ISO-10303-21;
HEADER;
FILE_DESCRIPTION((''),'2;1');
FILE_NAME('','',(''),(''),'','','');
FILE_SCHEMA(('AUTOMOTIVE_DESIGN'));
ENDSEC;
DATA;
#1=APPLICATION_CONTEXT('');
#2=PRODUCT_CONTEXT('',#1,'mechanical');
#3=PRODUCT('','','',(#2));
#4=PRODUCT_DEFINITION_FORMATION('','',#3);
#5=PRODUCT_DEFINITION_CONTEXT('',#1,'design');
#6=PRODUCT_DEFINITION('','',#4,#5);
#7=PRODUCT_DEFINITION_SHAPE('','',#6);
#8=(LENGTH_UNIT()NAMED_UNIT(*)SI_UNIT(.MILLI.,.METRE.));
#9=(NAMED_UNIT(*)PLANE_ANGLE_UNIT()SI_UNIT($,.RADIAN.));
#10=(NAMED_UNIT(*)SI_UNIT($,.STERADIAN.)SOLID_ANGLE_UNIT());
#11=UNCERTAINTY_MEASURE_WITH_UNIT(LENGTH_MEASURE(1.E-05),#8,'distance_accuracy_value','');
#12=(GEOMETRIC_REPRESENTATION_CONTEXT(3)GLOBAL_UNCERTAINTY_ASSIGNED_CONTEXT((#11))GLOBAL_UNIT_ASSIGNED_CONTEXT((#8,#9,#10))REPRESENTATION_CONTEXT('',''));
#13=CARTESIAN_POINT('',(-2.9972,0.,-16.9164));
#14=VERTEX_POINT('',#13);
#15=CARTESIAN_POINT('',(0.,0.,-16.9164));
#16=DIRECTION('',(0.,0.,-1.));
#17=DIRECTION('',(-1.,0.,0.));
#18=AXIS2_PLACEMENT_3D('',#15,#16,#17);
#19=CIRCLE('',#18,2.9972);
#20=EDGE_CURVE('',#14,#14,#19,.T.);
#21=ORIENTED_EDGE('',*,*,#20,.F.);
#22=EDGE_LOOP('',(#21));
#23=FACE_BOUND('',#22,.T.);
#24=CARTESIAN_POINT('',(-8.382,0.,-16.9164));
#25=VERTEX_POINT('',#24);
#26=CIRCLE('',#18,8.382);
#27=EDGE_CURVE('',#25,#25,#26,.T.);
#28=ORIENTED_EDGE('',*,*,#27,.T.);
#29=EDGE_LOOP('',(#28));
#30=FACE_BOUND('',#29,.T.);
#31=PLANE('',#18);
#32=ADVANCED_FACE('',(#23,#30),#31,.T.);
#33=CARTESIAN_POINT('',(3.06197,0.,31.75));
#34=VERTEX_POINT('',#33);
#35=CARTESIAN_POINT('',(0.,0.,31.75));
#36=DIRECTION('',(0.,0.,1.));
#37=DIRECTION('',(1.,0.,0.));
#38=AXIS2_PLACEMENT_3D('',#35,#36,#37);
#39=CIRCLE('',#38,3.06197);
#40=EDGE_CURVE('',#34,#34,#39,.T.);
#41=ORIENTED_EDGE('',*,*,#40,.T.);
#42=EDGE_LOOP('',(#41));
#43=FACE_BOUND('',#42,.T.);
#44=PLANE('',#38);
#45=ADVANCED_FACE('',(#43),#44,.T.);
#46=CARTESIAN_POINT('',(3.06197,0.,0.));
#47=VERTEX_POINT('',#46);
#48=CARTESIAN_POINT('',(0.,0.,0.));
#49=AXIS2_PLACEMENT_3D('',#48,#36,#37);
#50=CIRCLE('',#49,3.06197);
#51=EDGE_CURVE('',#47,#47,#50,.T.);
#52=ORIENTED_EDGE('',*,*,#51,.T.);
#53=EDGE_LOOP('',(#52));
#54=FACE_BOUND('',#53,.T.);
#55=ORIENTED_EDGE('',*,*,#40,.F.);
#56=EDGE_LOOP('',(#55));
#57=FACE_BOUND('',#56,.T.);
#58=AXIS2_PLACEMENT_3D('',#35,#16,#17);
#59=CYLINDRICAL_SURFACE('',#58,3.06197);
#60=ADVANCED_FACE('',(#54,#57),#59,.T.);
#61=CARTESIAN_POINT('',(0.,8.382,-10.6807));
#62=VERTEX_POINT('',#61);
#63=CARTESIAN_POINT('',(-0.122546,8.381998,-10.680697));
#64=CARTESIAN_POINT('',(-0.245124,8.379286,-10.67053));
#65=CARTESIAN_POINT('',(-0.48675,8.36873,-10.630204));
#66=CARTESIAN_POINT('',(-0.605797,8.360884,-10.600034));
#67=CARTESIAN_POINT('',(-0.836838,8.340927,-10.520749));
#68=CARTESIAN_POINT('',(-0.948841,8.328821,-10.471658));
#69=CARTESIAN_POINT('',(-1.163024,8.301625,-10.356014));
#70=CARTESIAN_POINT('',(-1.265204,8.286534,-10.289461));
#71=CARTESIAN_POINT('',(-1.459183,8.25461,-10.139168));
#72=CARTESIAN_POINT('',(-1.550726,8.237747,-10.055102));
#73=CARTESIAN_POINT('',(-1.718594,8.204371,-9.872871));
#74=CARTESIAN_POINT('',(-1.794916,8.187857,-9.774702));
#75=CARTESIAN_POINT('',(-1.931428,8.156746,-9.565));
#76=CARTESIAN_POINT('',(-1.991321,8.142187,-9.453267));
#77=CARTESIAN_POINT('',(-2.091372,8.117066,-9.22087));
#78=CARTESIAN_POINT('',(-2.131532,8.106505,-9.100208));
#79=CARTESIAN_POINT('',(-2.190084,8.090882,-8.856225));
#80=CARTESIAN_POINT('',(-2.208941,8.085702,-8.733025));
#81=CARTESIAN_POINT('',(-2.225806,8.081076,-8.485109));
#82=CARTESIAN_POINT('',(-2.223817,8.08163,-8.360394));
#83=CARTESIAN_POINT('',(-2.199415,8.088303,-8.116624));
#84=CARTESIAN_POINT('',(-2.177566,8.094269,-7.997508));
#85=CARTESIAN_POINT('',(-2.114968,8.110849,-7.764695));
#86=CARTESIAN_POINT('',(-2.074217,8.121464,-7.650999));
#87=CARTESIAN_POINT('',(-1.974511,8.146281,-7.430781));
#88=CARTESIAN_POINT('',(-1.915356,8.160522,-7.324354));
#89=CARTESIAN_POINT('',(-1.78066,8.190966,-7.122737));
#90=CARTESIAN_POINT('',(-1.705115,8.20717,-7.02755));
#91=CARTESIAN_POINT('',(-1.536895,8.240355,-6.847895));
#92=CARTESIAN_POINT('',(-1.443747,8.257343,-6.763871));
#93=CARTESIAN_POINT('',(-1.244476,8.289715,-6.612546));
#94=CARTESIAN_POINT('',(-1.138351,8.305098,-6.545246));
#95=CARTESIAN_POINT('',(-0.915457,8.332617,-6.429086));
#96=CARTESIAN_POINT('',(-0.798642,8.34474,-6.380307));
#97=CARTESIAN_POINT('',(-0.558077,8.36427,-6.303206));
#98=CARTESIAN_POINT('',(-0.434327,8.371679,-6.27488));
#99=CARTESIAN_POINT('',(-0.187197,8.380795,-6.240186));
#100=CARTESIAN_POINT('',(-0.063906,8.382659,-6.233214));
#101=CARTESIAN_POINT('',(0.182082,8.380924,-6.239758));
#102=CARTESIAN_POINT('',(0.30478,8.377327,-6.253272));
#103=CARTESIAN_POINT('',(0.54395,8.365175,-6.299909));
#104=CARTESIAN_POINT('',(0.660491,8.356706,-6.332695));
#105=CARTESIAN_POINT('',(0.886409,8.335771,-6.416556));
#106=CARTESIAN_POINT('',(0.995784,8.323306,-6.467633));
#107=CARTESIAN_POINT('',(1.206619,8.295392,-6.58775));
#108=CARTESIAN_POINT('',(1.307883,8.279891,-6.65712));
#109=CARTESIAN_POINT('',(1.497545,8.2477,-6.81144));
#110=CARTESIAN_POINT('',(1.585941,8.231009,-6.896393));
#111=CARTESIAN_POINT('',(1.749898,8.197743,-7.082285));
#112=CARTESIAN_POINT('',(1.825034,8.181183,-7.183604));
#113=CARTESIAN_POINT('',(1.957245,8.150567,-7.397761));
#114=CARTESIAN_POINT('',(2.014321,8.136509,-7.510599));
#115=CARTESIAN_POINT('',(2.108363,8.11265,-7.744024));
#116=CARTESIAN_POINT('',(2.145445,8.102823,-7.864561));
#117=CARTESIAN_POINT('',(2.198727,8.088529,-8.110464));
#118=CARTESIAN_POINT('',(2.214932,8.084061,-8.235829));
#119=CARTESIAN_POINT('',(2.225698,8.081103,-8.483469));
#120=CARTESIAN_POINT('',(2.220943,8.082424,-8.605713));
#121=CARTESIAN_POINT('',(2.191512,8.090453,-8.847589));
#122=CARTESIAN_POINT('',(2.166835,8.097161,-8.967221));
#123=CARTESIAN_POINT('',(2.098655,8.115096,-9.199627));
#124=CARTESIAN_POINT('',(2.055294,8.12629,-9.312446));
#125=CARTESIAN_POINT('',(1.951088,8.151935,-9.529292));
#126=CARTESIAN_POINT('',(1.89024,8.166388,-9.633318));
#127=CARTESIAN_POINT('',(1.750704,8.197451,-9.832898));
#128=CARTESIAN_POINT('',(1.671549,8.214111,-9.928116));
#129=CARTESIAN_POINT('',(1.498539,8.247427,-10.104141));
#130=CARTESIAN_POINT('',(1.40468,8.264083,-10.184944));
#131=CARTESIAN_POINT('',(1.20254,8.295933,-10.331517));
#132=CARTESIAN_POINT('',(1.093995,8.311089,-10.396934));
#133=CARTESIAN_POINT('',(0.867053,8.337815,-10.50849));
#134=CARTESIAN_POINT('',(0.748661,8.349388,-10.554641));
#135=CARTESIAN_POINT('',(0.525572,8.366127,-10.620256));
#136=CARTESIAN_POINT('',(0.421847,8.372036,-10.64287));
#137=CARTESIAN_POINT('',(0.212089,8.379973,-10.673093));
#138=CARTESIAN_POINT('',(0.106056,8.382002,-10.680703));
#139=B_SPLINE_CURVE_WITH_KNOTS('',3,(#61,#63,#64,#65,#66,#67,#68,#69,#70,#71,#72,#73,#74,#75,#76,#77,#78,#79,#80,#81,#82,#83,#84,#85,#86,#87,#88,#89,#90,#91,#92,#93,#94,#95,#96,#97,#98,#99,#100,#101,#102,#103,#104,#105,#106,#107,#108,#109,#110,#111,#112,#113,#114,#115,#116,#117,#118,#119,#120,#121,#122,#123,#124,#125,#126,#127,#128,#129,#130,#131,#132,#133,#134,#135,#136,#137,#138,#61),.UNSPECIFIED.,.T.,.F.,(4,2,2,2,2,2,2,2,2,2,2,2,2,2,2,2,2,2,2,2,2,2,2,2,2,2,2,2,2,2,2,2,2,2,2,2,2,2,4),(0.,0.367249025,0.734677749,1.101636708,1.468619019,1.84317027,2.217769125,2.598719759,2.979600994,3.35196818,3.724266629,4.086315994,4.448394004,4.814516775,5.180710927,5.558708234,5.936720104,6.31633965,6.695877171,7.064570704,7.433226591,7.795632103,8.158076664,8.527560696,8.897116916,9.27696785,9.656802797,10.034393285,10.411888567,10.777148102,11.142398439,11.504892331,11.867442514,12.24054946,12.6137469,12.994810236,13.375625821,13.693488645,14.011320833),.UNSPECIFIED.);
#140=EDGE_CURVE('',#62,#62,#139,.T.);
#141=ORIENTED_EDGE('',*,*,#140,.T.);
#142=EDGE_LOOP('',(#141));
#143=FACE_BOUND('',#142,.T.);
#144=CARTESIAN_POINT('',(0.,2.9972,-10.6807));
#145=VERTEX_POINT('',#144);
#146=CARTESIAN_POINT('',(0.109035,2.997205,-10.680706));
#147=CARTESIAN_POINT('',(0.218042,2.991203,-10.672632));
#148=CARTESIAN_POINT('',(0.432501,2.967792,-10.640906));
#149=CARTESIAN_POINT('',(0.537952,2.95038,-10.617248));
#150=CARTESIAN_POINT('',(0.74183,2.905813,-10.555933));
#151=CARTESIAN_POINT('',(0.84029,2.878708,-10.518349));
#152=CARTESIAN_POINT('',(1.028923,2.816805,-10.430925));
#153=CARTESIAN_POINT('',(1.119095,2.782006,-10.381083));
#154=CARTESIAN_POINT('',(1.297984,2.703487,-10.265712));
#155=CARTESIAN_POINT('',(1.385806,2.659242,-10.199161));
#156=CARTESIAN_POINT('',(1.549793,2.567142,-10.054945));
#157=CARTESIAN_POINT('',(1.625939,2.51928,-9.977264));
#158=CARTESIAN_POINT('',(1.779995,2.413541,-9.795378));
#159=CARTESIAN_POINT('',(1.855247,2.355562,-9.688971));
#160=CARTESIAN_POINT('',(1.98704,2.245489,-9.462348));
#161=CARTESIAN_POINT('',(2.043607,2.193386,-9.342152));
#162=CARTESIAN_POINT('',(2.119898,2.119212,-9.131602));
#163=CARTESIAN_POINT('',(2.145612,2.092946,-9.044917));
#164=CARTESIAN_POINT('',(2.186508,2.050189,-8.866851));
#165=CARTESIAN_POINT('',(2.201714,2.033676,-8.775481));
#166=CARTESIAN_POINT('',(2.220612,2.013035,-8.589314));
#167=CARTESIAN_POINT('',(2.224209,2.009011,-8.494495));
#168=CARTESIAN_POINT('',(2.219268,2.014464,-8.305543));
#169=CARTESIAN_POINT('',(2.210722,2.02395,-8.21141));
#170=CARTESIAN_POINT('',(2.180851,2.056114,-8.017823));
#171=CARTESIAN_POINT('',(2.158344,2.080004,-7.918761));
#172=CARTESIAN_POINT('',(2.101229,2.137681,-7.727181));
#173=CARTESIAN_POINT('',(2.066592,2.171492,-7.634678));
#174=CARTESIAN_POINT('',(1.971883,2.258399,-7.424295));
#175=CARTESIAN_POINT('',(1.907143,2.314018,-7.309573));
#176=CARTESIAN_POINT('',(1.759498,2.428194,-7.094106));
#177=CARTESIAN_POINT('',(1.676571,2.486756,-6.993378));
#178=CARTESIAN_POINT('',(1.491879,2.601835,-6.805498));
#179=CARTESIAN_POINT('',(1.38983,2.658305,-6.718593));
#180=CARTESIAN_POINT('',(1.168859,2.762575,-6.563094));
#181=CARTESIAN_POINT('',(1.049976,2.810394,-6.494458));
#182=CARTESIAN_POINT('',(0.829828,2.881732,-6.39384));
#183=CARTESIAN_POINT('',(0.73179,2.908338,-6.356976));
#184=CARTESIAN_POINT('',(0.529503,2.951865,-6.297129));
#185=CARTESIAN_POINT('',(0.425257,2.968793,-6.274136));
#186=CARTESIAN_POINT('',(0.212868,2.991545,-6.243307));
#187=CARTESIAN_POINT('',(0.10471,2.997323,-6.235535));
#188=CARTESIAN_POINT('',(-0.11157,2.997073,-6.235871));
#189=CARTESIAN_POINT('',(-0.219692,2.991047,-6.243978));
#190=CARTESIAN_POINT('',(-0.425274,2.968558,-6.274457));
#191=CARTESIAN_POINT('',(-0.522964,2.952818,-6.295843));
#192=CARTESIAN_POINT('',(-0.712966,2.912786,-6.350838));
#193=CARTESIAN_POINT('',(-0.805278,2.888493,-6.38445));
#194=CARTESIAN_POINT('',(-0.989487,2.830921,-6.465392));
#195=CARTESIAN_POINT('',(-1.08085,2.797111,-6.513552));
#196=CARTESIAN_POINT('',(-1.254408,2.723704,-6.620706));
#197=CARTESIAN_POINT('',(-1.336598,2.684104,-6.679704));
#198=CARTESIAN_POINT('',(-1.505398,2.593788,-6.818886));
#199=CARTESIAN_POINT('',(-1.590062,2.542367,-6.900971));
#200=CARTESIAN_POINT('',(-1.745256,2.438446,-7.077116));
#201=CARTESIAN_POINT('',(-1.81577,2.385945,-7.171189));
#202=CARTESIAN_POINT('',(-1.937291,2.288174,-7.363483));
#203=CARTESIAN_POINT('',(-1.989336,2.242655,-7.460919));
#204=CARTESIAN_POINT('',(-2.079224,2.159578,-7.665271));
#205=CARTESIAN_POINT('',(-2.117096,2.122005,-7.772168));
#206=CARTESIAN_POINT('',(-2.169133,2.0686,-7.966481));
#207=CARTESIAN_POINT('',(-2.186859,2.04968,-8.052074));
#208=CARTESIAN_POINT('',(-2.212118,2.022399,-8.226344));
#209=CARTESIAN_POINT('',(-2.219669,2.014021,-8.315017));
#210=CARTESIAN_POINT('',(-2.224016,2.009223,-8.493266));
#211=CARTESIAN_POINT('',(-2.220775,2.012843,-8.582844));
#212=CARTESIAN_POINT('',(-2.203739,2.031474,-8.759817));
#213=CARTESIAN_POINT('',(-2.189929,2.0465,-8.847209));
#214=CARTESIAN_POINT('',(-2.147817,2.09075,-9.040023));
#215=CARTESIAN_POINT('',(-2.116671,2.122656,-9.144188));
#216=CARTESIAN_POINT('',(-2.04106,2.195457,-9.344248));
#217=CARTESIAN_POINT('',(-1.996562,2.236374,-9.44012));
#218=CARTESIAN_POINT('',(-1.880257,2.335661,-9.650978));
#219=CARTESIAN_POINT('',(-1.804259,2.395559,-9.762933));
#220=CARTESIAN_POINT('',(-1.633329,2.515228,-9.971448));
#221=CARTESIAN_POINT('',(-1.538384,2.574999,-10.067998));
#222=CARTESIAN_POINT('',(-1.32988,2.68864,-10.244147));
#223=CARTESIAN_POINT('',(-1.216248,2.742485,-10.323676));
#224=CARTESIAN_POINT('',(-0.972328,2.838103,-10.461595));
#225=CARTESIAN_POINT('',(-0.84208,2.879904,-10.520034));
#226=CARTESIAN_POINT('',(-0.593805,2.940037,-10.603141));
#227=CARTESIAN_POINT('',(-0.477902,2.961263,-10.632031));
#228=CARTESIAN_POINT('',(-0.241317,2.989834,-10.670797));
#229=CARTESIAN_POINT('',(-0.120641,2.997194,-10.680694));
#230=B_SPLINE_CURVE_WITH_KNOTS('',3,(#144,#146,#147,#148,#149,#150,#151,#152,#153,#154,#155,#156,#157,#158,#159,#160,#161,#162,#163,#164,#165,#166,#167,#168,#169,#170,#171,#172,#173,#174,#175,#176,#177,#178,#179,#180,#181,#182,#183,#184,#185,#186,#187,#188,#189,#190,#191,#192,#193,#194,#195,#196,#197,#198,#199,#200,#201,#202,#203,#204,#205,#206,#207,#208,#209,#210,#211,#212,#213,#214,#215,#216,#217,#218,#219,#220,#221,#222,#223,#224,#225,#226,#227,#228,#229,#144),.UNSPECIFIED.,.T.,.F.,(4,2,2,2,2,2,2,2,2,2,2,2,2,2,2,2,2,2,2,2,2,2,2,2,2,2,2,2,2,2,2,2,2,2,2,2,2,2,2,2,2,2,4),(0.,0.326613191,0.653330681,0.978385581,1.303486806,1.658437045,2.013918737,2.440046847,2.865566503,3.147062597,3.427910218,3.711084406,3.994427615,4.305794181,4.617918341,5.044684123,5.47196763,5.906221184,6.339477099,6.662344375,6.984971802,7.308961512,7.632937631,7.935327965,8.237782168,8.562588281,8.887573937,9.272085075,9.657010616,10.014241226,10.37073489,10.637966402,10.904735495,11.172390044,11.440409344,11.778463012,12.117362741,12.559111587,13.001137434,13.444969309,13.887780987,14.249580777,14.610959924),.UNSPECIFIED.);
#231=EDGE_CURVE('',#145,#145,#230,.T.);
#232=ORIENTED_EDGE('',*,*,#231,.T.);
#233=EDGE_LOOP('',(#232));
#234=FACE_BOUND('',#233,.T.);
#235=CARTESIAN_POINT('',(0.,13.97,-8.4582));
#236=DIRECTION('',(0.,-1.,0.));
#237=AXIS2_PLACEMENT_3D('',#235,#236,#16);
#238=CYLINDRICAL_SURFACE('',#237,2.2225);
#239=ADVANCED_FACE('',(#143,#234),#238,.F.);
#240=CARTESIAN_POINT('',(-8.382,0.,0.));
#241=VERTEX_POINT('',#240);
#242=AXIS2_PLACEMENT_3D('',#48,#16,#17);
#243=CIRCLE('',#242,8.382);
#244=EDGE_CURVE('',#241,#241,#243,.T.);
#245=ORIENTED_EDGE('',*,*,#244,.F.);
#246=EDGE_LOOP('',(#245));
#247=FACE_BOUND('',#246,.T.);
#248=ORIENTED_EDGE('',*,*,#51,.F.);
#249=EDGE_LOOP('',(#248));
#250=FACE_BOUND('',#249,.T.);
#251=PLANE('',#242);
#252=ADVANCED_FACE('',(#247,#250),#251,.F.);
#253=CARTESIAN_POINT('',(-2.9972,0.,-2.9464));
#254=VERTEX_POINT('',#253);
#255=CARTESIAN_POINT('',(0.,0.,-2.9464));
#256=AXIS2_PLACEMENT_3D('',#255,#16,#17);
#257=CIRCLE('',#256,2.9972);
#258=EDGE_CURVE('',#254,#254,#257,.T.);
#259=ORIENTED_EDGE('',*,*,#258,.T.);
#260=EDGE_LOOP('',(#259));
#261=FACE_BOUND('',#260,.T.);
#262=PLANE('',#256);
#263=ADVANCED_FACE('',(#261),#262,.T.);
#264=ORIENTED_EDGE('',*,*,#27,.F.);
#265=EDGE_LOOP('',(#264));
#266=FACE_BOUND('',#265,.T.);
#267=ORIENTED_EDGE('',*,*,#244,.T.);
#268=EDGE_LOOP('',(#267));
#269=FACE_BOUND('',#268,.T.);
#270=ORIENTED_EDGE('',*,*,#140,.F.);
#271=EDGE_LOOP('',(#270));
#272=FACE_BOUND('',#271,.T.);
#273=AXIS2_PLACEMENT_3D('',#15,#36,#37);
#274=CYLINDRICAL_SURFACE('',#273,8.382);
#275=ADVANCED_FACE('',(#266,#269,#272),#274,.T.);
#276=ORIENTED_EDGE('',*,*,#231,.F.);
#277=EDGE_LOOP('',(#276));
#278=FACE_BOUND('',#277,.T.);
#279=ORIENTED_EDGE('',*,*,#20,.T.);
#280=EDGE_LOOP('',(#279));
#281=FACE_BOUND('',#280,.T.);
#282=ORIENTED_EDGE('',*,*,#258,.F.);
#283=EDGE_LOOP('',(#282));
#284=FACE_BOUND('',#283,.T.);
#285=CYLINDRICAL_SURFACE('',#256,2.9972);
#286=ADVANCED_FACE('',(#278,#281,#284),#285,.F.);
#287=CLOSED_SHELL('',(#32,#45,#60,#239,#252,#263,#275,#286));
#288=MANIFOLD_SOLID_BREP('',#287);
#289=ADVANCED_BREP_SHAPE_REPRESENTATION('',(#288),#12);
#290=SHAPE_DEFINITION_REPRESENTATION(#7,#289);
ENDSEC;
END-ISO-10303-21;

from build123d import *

# Parameters (mm, degrees)
SKETCH2_R           = 3.06197
BOSS_EXTRUDE1_DEPTH = 31.75
SKETCH3_R           = 8.382
BOSS_EXTRUDE2_DEPTH = 16.9164
SKETCH4_R           = 2.9972
CUT_EXTRUDE1_DEPTH  = 13.97
SKETCH5_R           = 2.2225
CUT_EXTRUDE2_DEPTH  = 13.97


with BuildPart() as part:
    # Sketch2 → Boss-Extrude1 (new body)
    with BuildSketch(Plane.XY):
        Circle(SKETCH2_R)
    extrude(amount=BOSS_EXTRUDE1_DEPTH)

    # Sketch3 → Boss-Extrude2 (add)
    with BuildSketch(Plane(origin=(0, 0, 0), x_dir=(-1, 0, 0), z_dir=(0, 0, -1))):
        Circle(SKETCH3_R)
    extrude(amount=BOSS_EXTRUDE2_DEPTH)

    # Sketch4 → Cut-Extrude1 (cut)
    with BuildSketch(Plane(origin=(0, 0, -16.9164), x_dir=(-1, 0, 0), z_dir=(0, 0, -1))):
        Circle(SKETCH4_R)
    extrude(amount=-CUT_EXTRUDE1_DEPTH, mode=Mode.SUBTRACT)

    # Sketch5 → Cut-Extrude2 (cut)
    with BuildSketch(Plane(origin=(0, 0, 0), x_dir=(1, 0, 0), z_dir=(0, 1, 0))):
        with Locations((0, 8.4582)):
            Circle(SKETCH5_R)
    extrude(amount=CUT_EXTRUDE2_DEPTH, mode=Mode.SUBTRACT)


solid = part.part
